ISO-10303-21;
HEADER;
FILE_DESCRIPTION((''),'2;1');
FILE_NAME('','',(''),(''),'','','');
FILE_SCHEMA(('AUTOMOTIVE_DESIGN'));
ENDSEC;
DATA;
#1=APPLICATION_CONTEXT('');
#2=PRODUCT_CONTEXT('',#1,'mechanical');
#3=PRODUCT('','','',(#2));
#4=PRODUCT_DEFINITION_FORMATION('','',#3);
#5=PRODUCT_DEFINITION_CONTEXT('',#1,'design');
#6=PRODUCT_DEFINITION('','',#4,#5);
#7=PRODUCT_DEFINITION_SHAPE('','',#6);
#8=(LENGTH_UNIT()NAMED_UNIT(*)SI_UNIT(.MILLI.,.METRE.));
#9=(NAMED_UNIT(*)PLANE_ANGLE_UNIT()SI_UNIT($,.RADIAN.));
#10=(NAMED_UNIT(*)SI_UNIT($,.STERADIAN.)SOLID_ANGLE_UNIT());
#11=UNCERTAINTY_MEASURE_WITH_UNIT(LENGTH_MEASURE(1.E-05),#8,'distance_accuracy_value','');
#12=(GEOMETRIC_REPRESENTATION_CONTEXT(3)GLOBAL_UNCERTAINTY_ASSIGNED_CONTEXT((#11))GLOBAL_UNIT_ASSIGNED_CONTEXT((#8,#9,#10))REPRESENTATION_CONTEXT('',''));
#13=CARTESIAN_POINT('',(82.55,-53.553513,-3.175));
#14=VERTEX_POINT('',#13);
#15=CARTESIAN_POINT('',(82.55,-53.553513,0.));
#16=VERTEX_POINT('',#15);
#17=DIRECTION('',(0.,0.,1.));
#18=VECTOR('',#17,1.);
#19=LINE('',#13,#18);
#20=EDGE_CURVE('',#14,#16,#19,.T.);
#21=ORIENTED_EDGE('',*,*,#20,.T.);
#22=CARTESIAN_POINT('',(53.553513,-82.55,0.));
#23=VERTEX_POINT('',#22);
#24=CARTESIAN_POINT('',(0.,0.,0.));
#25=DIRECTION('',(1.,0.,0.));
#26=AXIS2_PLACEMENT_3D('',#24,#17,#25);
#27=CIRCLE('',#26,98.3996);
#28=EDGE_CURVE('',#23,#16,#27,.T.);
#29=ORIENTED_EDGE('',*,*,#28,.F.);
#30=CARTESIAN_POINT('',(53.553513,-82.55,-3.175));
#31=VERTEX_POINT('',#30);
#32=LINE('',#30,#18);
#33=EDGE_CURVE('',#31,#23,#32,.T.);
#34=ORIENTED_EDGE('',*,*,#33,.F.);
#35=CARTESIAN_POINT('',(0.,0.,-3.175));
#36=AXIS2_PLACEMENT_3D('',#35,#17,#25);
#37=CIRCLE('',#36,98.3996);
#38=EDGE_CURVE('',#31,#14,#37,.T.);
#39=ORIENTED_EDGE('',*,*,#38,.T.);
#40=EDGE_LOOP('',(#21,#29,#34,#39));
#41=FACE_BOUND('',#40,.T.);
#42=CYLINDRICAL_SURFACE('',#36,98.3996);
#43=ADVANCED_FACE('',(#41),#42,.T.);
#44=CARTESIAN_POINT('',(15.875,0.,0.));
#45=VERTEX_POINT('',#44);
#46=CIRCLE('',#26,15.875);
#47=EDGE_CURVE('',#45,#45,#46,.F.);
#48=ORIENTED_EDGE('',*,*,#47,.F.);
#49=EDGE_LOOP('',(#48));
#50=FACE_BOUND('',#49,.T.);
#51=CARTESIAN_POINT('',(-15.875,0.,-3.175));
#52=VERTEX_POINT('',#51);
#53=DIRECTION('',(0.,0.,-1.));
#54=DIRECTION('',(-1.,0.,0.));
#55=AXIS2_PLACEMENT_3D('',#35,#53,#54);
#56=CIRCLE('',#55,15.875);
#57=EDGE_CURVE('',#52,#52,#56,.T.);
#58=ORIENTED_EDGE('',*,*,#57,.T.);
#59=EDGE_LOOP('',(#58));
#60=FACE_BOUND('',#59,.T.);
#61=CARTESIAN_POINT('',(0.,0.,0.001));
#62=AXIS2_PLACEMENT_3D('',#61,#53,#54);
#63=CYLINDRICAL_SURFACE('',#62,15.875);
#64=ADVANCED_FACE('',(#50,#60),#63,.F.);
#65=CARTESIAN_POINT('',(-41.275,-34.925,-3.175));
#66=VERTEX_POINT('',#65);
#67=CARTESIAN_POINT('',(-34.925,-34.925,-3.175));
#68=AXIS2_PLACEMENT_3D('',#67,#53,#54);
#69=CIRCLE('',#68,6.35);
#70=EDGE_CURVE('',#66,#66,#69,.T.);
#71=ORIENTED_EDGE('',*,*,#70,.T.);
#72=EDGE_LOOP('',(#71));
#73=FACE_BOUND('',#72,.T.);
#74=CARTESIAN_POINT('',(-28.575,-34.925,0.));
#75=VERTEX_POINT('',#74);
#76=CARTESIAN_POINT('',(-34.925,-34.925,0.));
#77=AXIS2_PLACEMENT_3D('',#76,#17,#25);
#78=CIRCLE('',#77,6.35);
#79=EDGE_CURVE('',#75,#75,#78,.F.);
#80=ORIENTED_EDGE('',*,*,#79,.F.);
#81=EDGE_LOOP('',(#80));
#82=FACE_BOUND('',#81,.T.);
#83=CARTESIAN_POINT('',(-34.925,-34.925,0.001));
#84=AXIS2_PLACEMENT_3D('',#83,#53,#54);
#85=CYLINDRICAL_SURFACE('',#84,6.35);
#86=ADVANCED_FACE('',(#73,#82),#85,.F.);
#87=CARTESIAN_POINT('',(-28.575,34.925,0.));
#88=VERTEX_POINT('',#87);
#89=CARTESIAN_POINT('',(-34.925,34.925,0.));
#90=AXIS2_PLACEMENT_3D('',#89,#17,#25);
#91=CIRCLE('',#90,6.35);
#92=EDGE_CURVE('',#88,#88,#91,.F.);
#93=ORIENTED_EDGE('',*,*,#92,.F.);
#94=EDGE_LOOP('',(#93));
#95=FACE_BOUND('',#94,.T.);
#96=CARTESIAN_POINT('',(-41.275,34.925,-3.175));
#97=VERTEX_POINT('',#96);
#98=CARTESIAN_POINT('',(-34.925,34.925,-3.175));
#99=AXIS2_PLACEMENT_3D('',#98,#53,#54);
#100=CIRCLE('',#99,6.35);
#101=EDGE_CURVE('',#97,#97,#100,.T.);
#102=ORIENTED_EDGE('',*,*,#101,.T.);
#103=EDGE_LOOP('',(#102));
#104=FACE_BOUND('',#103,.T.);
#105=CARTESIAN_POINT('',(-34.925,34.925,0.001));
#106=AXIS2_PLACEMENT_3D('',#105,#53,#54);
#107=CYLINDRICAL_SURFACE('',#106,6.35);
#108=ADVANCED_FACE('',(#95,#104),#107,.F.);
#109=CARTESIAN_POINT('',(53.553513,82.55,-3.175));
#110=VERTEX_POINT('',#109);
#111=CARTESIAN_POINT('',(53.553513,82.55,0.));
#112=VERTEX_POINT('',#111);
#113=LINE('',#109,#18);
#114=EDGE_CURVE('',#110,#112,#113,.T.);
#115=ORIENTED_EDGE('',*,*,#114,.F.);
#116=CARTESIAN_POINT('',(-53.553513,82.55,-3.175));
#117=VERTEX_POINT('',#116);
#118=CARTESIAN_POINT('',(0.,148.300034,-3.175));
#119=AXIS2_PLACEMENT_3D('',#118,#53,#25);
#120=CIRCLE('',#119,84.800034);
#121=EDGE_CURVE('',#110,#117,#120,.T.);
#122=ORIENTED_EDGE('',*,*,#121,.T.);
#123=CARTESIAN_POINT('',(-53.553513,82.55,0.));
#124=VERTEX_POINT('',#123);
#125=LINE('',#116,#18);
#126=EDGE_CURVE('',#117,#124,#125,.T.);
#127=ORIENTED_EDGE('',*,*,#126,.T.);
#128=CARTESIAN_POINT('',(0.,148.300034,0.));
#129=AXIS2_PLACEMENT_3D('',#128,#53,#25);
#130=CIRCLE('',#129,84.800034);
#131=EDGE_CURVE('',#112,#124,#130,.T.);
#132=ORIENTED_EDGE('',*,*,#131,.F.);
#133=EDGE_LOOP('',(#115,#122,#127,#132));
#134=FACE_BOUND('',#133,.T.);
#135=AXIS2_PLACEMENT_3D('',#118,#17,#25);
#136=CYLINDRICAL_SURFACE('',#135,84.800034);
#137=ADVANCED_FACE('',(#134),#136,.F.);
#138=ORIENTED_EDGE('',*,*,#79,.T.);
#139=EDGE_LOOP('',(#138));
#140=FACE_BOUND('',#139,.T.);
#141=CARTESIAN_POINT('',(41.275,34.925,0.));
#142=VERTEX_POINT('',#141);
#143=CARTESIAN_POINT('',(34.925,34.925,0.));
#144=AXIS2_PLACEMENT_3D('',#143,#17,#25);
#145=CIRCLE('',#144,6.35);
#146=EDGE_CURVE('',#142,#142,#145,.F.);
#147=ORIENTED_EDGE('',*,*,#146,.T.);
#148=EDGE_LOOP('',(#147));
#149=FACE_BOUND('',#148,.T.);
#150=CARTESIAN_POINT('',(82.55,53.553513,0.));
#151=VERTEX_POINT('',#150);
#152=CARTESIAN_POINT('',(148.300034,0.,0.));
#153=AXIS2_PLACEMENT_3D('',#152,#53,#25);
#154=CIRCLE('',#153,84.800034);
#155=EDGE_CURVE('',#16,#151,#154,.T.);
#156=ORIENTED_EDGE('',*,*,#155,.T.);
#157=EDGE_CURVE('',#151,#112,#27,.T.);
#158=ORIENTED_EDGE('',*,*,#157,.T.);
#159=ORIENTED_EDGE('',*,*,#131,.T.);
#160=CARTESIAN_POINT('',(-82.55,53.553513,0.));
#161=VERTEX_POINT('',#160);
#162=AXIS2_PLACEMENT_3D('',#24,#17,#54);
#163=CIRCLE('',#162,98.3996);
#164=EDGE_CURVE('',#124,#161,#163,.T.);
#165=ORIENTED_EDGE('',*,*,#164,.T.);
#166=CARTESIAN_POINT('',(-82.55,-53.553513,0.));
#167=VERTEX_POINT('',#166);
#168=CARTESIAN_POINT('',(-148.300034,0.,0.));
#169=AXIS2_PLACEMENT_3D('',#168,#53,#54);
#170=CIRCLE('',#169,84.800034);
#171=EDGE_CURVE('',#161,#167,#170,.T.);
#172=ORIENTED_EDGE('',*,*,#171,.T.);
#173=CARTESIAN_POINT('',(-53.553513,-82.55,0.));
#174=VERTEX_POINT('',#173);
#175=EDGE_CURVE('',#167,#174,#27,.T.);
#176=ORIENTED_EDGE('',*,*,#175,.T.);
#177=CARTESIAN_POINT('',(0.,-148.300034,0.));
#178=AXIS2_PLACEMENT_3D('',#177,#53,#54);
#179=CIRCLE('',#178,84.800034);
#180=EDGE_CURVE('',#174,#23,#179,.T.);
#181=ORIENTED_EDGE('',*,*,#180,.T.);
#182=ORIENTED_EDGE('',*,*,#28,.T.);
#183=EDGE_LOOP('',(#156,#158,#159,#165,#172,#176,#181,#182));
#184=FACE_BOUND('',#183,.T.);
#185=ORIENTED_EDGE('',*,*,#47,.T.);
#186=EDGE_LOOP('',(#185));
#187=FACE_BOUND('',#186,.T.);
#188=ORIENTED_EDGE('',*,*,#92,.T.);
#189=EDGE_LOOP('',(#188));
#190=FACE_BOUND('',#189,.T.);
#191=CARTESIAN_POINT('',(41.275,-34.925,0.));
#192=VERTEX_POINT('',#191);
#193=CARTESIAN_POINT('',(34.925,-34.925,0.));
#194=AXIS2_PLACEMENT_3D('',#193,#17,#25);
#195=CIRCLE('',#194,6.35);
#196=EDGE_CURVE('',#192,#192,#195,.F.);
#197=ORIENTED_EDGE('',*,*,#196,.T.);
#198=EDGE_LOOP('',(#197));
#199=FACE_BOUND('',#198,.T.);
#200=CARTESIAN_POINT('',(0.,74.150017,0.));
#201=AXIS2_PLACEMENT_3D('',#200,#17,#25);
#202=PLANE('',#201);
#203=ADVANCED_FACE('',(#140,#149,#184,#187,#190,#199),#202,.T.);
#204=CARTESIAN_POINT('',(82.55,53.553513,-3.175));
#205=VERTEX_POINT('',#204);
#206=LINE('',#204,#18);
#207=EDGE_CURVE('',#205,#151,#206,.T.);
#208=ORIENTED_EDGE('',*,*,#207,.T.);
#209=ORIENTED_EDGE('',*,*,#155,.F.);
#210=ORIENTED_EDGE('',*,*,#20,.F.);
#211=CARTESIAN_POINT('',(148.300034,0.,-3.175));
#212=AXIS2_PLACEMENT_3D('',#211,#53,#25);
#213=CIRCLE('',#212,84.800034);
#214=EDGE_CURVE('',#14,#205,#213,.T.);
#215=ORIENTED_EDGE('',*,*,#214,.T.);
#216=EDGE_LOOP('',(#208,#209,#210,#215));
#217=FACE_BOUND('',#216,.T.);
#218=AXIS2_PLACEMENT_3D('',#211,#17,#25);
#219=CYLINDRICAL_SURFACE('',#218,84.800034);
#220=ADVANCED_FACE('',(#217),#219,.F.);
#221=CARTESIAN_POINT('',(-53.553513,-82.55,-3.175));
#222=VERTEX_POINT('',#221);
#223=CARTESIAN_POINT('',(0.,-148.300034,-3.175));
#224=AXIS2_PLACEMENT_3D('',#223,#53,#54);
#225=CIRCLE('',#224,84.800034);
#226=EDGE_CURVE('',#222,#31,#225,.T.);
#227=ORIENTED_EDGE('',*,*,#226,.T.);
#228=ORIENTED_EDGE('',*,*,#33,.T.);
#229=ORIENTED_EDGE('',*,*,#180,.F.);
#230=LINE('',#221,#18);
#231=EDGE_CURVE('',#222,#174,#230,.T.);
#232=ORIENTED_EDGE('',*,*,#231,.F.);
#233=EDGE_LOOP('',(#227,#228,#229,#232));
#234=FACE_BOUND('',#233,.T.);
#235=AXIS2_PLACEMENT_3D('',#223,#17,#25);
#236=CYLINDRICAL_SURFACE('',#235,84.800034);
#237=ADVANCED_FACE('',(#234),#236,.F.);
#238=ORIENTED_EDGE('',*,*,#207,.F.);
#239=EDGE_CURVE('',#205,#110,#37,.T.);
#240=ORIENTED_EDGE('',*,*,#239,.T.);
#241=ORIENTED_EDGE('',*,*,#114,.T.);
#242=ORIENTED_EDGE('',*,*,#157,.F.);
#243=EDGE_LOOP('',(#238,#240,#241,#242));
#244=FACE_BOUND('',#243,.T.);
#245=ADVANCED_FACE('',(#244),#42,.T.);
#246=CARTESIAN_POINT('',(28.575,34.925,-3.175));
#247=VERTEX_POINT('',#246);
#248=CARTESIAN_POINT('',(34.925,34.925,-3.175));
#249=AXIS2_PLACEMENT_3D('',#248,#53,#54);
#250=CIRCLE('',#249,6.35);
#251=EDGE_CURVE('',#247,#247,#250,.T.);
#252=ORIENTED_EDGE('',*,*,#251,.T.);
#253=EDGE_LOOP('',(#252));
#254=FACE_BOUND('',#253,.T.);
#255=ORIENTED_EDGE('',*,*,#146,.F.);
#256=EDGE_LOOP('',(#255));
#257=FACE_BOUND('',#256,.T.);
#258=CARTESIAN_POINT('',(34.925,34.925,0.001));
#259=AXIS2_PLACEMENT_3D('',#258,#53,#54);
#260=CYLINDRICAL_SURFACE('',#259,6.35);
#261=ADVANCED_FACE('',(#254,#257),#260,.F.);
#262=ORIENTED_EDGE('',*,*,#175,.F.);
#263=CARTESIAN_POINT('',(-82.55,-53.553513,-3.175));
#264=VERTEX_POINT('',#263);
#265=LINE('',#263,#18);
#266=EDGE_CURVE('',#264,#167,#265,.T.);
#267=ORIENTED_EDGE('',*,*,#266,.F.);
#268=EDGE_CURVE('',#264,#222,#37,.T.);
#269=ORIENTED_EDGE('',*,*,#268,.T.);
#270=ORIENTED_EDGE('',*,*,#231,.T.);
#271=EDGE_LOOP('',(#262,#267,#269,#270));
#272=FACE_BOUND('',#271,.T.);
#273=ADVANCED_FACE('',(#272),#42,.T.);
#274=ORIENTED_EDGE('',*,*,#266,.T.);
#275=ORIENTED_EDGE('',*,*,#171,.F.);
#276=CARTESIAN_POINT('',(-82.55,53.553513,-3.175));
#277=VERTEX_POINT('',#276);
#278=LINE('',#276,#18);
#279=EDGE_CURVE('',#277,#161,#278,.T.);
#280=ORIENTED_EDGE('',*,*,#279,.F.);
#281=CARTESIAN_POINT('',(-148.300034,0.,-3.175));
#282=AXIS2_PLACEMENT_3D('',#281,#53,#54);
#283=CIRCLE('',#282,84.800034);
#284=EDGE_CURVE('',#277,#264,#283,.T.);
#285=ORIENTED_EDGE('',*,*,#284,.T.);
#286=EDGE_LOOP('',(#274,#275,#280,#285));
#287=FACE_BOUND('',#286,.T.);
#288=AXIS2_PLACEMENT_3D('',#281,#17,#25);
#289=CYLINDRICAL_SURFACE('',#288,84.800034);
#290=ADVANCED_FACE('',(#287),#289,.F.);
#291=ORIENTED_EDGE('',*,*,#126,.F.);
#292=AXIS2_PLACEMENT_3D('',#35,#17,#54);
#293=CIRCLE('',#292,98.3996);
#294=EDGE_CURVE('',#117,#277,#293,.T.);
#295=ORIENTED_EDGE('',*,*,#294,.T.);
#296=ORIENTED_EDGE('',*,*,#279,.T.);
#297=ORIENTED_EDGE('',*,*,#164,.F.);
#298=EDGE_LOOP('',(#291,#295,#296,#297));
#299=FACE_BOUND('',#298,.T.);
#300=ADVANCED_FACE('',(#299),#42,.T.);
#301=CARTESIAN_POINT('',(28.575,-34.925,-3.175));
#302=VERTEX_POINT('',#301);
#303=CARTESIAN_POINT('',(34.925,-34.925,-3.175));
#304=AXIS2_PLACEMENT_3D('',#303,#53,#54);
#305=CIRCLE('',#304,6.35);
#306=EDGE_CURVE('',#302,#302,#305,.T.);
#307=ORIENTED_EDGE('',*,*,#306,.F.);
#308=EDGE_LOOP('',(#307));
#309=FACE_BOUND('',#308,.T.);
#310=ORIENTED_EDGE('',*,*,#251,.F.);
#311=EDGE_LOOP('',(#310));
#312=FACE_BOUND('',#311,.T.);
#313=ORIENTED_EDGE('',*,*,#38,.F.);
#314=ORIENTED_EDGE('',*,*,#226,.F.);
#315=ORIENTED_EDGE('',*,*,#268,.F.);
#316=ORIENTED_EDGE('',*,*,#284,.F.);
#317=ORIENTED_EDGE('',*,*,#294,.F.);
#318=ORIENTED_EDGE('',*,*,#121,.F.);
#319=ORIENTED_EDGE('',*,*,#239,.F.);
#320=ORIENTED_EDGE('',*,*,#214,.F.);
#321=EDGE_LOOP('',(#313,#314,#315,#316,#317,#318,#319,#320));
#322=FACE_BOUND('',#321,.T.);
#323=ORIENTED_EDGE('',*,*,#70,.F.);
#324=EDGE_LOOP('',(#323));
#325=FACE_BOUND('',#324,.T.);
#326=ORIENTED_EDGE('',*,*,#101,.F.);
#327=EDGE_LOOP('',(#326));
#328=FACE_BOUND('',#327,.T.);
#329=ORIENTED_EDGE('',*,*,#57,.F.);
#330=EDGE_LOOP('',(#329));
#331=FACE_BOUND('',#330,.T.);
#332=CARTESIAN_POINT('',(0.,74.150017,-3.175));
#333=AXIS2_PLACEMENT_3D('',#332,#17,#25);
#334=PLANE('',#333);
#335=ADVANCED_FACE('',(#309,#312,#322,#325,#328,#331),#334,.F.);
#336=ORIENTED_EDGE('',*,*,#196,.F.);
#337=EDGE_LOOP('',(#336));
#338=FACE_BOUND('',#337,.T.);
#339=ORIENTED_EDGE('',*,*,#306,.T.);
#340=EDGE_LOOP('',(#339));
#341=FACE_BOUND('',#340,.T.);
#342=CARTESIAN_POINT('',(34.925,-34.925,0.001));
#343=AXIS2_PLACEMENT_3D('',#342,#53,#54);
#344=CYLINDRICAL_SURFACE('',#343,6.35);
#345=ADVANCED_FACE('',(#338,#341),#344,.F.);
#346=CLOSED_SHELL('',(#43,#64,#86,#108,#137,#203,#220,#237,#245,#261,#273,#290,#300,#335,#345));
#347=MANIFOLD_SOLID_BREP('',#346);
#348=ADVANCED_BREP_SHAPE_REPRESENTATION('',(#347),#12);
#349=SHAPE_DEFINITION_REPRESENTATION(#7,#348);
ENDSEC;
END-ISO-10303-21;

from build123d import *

# Parameters (mm, degrees)
EXTRUDE1_DEPTH     = 3.175
CUT_EXTRUDE1_REACH = 5.175
SKETCH2_R          = 6.35
SKETCH2_R_2        = 15.875


with BuildPart() as part:
    # Sketch1 → Extrude1 (new body)
    with BuildSketch(Plane.XY):
        with BuildLine():
            ThreePointArc((-53.553513238, 82.55), (0, 63.5), (53.553513238, 82.55))
            ThreePointArc((53.553513238, 82.55), (69.579024426, 69.579024426), (82.55, 53.553513238))
            ThreePointArc((82.55, 53.553513238), (63.5, 0), (82.55, -53.553513238))
            ThreePointArc((82.55, -53.553513238), (69.579024426, -69.579024426), (53.553513238, -82.55))
            ThreePointArc((53.553513238, -82.55), (0, -63.5), (-53.553513238, -82.55))
            ThreePointArc((-53.553513238, -82.55), (-69.579024426, -69.579024426), (-82.55, -53.553513238))
            ThreePointArc((-82.55, -53.553513238), (-63.5, 0), (-82.55, 53.553513238))
            ThreePointArc((-82.55, 53.553513238), (-69.579024426, 69.579024426), (-53.553513238, 82.55))
        make_face()
    extrude(amount=-EXTRUDE1_DEPTH)

    # Sketch2 → Cut-Extrude1 (cut, up to next)
    with BuildSketch(Plane(origin=(0, 0, -3.175), x_dir=(-1, 0, 0), z_dir=(0, 0, -1)), mode=Mode.PRIVATE) as cut_extrude1_sk1:
        with Locations((-34.925, 34.925)):
            Circle(SKETCH2_R)
    cut_extrude1_tool1 = extrude(cut_extrude1_sk1.sketch, amount=-CUT_EXTRUDE1_REACH, mode=Mode.PRIVATE) & part.part
    add(cut_extrude1_tool1.solids().sort_by_distance((34.925, 34.925, -3.175))[0], mode=Mode.SUBTRACT)
    # Sketch2 → Cut-Extrude1 (cut, up to next)
    with BuildSketch(Plane(origin=(0, 0, -3.175), x_dir=(-1, 0, 0), z_dir=(0, 0, -1)), mode=Mode.PRIVATE) as cut_extrude1_sk2:
        with Locations((34.925, 34.925)):
            Circle(SKETCH2_R)
    cut_extrude1_tool2 = extrude(cut_extrude1_sk2.sketch, amount=-CUT_EXTRUDE1_REACH, mode=Mode.PRIVATE) & part.part
    add(cut_extrude1_tool2.solids().sort_by_distance((-34.925, 34.925, -3.175))[0], mode=Mode.SUBTRACT)
    # Sketch2 → Cut-Extrude1 (cut, up to next)
    with BuildSketch(Plane(origin=(0, 0, -3.175), x_dir=(-1, 0, 0), z_dir=(0, 0, -1)), mode=Mode.PRIVATE) as cut_extrude1_sk3:
        with Locations((34.925, -34.925)):
            Circle(SKETCH2_R)
    cut_extrude1_tool3 = extrude(cut_extrude1_sk3.sketch, amount=-CUT_EXTRUDE1_REACH, mode=Mode.PRIVATE) & part.part
    add(cut_extrude1_tool3.solids().sort_by_distance((-34.925, -34.925, -3.175))[0], mode=Mode.SUBTRACT)
    # Sketch2 → Cut-Extrude1 (cut, up to next)
    with BuildSketch(Plane(origin=(0, 0, -3.175), x_dir=(-1, 0, 0), z_dir=(0, 0, -1)), mode=Mode.PRIVATE) as cut_extrude1_sk4:
        with Locations((-34.925, -34.925)):
            Circle(SKETCH2_R)
    cut_extrude1_tool4 = extrude(cut_extrude1_sk4.sketch, amount=-CUT_EXTRUDE1_REACH, mode=Mode.PRIVATE) & part.part
    add(cut_extrude1_tool4.solids().sort_by_distance((34.925, -34.925, -3.175))[0], mode=Mode.SUBTRACT)
    # Sketch2 → Cut-Extrude1 (cut, up to next)
    with BuildSketch(Plane(origin=(0, 0, -3.175), x_dir=(-1, 0, 0), z_dir=(0, 0, -1)), mode=Mode.PRIVATE) as cut_extrude1_sk5:
        Circle(SKETCH2_R_2)
    cut_extrude1_tool5 = extrude(cut_extrude1_sk5.sketch, amount=-CUT_EXTRUDE1_REACH, mode=Mode.PRIVATE) & part.part
    add(cut_extrude1_tool5.solids().sort_by_distance((0, 0, -3.175))[0], mode=Mode.SUBTRACT)


solid = part.part
